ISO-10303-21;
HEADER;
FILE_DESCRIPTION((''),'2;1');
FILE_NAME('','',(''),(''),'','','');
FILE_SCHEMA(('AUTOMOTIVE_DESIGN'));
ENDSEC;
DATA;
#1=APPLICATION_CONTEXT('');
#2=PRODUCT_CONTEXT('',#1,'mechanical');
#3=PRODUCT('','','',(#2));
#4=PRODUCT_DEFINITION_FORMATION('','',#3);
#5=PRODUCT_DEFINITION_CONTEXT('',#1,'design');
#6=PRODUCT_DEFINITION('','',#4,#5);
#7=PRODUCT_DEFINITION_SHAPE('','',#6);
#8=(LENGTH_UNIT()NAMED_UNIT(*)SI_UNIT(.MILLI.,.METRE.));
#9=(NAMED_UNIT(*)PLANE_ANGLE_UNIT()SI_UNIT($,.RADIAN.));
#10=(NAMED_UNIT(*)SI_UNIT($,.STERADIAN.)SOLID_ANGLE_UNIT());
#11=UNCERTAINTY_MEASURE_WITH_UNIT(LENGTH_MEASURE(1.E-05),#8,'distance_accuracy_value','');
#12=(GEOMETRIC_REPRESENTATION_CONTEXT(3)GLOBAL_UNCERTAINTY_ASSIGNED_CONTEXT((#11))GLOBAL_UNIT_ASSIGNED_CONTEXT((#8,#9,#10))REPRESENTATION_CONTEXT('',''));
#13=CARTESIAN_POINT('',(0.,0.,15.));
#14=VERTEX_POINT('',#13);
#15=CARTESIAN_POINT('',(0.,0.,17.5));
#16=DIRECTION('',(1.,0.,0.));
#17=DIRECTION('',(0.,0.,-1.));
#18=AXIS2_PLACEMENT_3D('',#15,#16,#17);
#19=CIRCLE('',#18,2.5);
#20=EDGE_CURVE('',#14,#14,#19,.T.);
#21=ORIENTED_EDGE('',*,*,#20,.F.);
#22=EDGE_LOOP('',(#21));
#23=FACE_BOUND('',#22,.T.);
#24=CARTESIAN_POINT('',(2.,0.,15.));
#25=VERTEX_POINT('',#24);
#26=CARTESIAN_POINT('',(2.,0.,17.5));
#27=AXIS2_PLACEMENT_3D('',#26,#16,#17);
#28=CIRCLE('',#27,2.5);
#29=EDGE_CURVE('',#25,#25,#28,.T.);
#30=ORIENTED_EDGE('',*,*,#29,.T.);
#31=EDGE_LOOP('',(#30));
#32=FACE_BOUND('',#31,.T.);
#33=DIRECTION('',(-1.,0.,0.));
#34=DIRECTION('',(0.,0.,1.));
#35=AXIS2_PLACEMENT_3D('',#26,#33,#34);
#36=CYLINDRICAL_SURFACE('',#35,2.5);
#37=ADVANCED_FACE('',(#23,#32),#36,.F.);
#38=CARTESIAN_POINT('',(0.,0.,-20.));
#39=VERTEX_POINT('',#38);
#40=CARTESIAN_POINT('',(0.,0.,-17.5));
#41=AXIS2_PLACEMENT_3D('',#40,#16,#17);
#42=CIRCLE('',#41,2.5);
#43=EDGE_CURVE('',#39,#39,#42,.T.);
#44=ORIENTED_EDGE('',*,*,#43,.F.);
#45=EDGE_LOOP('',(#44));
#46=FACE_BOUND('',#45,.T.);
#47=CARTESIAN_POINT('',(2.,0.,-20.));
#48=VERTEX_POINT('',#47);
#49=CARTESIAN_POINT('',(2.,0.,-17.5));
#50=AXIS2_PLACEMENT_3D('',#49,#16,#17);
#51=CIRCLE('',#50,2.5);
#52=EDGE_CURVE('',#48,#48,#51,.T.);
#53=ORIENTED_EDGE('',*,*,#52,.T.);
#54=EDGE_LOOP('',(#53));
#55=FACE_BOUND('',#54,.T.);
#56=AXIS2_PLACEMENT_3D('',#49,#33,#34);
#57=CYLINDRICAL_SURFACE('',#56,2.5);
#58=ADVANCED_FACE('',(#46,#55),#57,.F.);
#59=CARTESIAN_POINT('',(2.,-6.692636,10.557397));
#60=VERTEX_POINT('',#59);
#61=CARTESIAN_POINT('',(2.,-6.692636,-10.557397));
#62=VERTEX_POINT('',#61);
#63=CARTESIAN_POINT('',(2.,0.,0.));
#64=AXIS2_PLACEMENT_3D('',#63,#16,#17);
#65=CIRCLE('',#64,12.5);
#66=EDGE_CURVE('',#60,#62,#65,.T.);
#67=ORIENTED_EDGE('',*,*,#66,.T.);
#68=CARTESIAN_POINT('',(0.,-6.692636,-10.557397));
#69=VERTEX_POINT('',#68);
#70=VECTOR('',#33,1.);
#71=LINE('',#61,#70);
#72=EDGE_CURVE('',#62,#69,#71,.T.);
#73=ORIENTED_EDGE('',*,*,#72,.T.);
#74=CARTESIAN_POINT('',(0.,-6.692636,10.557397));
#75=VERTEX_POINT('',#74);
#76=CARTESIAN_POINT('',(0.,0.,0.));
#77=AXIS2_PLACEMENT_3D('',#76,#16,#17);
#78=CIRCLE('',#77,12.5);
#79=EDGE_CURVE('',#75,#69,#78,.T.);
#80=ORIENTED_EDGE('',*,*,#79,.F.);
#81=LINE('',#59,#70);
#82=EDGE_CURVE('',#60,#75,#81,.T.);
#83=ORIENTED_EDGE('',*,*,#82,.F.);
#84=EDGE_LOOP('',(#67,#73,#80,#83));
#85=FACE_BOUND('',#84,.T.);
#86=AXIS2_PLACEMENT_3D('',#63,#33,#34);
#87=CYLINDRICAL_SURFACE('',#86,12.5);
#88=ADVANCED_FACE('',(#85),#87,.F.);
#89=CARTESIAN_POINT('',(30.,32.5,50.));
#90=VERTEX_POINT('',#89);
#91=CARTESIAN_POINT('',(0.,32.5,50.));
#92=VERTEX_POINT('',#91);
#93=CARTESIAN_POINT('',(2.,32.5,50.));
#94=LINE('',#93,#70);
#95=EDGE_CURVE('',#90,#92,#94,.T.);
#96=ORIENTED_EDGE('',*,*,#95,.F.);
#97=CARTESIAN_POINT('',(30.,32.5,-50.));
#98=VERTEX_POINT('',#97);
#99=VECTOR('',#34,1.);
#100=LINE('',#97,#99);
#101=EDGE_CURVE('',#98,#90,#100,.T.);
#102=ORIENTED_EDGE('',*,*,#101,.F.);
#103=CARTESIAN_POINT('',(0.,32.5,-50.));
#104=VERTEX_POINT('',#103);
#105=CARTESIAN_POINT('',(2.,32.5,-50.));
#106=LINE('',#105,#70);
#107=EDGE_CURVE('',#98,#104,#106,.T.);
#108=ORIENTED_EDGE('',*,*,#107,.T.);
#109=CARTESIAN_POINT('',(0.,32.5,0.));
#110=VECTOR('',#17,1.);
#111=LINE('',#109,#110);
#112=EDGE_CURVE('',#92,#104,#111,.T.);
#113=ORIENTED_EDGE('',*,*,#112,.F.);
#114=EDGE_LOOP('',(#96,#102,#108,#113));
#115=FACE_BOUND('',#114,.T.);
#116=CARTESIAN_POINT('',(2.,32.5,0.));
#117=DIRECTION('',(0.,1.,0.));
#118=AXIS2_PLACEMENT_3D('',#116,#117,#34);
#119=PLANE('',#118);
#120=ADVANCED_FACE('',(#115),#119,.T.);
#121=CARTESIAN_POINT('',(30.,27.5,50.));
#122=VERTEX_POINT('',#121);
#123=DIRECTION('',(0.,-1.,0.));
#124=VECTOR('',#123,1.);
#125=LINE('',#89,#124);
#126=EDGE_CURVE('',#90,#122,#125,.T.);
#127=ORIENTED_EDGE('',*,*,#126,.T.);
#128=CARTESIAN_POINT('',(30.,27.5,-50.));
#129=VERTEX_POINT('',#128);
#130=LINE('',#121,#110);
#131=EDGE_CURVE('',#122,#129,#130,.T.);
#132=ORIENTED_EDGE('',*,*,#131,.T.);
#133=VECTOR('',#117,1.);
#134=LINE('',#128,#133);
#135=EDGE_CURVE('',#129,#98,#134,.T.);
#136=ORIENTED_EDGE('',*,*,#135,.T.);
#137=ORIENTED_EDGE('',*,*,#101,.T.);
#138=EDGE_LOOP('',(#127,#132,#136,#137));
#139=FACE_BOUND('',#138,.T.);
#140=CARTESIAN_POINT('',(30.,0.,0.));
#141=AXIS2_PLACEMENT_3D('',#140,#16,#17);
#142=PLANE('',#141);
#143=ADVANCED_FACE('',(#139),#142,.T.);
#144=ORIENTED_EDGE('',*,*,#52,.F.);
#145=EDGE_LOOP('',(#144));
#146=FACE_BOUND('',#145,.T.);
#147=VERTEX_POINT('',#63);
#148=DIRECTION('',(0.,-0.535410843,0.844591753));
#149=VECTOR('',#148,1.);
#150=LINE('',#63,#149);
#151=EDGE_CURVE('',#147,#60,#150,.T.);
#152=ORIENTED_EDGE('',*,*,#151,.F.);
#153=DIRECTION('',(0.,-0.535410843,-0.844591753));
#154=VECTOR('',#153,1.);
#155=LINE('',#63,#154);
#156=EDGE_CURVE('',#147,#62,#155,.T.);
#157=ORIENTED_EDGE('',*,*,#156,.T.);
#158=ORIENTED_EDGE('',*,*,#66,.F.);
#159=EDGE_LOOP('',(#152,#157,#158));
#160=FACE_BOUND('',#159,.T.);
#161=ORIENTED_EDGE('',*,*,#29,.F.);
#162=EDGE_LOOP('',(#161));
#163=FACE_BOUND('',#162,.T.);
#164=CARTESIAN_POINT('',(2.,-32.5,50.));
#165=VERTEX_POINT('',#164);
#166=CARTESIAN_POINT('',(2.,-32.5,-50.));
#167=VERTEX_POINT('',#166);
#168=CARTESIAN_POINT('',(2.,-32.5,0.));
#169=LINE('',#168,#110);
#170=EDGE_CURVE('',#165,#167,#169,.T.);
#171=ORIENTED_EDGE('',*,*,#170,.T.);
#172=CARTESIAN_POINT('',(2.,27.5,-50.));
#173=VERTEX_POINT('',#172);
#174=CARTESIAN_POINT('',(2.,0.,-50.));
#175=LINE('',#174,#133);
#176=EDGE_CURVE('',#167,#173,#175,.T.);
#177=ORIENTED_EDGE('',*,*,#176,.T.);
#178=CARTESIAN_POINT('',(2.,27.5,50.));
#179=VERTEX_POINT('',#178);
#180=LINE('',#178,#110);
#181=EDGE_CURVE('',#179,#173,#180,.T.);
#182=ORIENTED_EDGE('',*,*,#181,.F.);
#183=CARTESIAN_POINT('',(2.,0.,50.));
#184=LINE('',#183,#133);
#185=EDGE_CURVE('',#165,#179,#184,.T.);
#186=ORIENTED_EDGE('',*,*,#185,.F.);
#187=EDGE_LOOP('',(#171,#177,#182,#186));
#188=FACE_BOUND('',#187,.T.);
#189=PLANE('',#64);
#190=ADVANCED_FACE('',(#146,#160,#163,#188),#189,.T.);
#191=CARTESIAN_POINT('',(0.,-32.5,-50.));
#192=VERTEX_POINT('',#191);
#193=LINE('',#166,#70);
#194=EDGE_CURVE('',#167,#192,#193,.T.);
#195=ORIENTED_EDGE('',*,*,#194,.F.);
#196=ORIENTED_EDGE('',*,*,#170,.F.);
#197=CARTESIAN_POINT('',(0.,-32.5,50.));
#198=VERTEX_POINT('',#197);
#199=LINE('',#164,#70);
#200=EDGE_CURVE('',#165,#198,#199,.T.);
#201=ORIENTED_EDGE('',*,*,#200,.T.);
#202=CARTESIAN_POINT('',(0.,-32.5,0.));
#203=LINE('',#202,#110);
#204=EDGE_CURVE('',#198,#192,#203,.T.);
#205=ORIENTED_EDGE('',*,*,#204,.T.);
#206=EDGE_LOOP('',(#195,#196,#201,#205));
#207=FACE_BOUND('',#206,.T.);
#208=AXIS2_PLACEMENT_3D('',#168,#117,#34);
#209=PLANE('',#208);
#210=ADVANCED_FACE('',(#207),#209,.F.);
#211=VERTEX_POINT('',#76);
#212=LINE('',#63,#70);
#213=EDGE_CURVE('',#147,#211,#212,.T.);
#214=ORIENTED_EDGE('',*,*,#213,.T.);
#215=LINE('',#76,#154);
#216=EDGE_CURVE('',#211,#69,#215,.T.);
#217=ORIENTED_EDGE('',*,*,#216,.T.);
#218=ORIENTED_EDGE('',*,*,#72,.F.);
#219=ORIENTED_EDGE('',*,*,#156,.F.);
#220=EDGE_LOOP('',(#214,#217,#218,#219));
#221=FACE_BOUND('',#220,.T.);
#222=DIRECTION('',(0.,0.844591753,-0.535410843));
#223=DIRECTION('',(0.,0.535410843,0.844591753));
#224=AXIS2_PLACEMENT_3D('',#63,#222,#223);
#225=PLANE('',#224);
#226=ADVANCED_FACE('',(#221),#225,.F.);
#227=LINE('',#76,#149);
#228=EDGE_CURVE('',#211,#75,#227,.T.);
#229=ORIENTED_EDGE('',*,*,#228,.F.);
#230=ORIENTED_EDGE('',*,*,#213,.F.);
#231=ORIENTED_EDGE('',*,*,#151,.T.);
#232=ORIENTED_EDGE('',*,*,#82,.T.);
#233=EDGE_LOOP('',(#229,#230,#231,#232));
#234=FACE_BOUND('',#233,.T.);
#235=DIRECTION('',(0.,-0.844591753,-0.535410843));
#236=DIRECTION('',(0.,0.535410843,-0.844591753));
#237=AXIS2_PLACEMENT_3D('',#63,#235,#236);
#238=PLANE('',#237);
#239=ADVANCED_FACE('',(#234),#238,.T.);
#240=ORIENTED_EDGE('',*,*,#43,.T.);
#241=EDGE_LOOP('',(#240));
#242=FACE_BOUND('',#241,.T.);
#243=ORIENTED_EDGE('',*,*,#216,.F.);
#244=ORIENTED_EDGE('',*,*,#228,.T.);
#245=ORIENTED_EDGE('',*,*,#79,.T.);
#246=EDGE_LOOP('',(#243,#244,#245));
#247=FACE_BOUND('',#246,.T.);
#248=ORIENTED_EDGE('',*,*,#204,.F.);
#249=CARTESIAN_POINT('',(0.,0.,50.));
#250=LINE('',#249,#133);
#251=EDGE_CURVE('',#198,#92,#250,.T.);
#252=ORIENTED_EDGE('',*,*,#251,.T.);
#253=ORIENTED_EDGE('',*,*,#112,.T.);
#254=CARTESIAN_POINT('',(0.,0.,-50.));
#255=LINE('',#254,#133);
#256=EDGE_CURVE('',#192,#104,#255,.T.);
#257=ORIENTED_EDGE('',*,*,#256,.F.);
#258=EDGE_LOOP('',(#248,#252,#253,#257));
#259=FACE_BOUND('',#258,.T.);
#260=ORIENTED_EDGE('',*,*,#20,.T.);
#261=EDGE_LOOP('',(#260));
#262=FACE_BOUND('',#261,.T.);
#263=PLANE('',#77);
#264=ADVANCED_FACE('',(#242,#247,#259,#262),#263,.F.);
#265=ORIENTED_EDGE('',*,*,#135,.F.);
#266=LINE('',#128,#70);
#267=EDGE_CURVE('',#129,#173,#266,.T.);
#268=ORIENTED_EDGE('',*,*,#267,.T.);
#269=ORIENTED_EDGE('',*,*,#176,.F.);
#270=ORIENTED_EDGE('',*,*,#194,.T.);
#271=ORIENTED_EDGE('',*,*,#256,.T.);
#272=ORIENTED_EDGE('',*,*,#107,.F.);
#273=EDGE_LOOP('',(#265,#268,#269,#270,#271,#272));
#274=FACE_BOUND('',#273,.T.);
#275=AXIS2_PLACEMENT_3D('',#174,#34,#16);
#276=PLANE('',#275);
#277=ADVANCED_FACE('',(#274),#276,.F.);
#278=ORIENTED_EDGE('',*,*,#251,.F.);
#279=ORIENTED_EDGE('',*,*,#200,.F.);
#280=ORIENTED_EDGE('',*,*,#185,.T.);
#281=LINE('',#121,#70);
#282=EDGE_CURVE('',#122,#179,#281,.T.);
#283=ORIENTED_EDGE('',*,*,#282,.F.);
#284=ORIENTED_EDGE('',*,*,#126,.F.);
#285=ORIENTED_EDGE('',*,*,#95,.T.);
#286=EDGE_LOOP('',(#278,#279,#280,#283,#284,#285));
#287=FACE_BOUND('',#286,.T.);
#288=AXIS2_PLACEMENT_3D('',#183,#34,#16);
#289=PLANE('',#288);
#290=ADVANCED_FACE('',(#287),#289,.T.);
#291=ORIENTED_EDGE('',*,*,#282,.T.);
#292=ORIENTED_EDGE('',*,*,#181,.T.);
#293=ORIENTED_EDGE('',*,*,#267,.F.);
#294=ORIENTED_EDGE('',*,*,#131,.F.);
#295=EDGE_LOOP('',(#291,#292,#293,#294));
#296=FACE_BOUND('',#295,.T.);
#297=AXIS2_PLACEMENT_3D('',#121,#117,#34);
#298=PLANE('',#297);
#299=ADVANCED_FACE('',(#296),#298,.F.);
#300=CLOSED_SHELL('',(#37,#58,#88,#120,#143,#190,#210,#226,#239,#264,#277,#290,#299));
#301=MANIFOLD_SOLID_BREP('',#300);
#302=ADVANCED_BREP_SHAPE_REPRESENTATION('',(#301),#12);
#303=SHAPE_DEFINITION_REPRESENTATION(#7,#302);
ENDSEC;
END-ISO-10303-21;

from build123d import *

# Parameters (mm, degrees)
SKETCH1_W           = 100
SKETCH1_H           = 5
BOSS_EXTRUDE5_DEPTH = 2
SKETCH4_W           = 100
SKETCH4_H           = 5
BOSS_EXTRUDE6_DEPTH = 28


with BuildPart() as part:
    # Sketch1 → Boss-Extrude5 (new body)
    with BuildSketch(Plane(origin=(0, 0, 0), x_dir=(0, 0, -1), z_dir=(1, 0, 0))):
        with Locations((0, 30)):
            Rectangle(SKETCH1_W, SKETCH1_H)
        with BuildLine():
            ThreePointArc((-12.5, 0), (0, 12.5), (12.5, 0))
            Line((12.5, 0), (15, 0))
            ThreePointArc((15, 0), (17.5, 2.5), (20, 0))
            Line((20, 0), (50, 0))
            Line((50, 0), (50, 27.5))
            Line((50, 27.5), (-50, 27.5))
            Line((-50, 27.5), (-50, 0))
            Line((-50, 0), (-20, 0))
            ThreePointArc((-20, 0), (-17.5, 2.5), (-15, 0))
            Line((-15, 0), (-12.5, 0))
        make_face()
        with BuildLine():
            Line((-12.5, 0), (0, 0))
            Line((0, 0), (12.5, 0))
            ThreePointArc((12.5, 0), (0, 12.5), (-12.5, 0))
        make_face()
        with BuildLine():
            Line((-10.55739691, -6.692635541), (0, 0))
            Line((0, 0), (-12.5, 0))
            ThreePointArc((-12.5, 0), (-12.00452959, -3.484432423), (-10.55739691, -6.692635541))
        make_face()
        with BuildLine():
            Line((12.5, 0), (0, 0))
            Line((0, 0), (10.55739691, -6.692635541))
            ThreePointArc((10.55739691, -6.692635541), (12.00452959, -3.484432423), (12.5, 0))
        make_face()
        with BuildLine():
            ThreePointArc((10.55739691, -6.692635541), (0, -12.5), (-10.55739691, -6.692635541))
            ThreePointArc((-10.55739691, -6.692635541), (-12.00452959, -3.484432423), (-12.5, 0))
            Line((-12.5, 0), (-15, 0))
            ThreePointArc((-15, 0), (-17.5, -2.5), (-20, 0))
            Line((-20, 0), (-50, 0))
            Line((-50, 0), (-50, -32.5))
            Line((-50, -32.5), (50, -32.5))
            Line((50, -32.5), (50, 0))
            Line((50, 0), (20, 0))
            ThreePointArc((20, 0), (17.5, -2.5), (15, 0))
            Line((15, 0), (12.5, 0))
            ThreePointArc((12.5, 0), (12.00452959, -3.484432423), (10.55739691, -6.692635541))
        make_face()
    extrude(amount=BOSS_EXTRUDE5_DEPTH)

    # Sketch4 → Boss-Extrude6 (add)
    with BuildSketch(Plane(origin=(2, 0, 0), x_dir=(0, 0, -1), z_dir=(1, 0, 0))):
        with Locations((0, 30)):
            Rectangle(SKETCH4_W, SKETCH4_H)
    extrude(amount=BOSS_EXTRUDE6_DEPTH)


solid = part.part
